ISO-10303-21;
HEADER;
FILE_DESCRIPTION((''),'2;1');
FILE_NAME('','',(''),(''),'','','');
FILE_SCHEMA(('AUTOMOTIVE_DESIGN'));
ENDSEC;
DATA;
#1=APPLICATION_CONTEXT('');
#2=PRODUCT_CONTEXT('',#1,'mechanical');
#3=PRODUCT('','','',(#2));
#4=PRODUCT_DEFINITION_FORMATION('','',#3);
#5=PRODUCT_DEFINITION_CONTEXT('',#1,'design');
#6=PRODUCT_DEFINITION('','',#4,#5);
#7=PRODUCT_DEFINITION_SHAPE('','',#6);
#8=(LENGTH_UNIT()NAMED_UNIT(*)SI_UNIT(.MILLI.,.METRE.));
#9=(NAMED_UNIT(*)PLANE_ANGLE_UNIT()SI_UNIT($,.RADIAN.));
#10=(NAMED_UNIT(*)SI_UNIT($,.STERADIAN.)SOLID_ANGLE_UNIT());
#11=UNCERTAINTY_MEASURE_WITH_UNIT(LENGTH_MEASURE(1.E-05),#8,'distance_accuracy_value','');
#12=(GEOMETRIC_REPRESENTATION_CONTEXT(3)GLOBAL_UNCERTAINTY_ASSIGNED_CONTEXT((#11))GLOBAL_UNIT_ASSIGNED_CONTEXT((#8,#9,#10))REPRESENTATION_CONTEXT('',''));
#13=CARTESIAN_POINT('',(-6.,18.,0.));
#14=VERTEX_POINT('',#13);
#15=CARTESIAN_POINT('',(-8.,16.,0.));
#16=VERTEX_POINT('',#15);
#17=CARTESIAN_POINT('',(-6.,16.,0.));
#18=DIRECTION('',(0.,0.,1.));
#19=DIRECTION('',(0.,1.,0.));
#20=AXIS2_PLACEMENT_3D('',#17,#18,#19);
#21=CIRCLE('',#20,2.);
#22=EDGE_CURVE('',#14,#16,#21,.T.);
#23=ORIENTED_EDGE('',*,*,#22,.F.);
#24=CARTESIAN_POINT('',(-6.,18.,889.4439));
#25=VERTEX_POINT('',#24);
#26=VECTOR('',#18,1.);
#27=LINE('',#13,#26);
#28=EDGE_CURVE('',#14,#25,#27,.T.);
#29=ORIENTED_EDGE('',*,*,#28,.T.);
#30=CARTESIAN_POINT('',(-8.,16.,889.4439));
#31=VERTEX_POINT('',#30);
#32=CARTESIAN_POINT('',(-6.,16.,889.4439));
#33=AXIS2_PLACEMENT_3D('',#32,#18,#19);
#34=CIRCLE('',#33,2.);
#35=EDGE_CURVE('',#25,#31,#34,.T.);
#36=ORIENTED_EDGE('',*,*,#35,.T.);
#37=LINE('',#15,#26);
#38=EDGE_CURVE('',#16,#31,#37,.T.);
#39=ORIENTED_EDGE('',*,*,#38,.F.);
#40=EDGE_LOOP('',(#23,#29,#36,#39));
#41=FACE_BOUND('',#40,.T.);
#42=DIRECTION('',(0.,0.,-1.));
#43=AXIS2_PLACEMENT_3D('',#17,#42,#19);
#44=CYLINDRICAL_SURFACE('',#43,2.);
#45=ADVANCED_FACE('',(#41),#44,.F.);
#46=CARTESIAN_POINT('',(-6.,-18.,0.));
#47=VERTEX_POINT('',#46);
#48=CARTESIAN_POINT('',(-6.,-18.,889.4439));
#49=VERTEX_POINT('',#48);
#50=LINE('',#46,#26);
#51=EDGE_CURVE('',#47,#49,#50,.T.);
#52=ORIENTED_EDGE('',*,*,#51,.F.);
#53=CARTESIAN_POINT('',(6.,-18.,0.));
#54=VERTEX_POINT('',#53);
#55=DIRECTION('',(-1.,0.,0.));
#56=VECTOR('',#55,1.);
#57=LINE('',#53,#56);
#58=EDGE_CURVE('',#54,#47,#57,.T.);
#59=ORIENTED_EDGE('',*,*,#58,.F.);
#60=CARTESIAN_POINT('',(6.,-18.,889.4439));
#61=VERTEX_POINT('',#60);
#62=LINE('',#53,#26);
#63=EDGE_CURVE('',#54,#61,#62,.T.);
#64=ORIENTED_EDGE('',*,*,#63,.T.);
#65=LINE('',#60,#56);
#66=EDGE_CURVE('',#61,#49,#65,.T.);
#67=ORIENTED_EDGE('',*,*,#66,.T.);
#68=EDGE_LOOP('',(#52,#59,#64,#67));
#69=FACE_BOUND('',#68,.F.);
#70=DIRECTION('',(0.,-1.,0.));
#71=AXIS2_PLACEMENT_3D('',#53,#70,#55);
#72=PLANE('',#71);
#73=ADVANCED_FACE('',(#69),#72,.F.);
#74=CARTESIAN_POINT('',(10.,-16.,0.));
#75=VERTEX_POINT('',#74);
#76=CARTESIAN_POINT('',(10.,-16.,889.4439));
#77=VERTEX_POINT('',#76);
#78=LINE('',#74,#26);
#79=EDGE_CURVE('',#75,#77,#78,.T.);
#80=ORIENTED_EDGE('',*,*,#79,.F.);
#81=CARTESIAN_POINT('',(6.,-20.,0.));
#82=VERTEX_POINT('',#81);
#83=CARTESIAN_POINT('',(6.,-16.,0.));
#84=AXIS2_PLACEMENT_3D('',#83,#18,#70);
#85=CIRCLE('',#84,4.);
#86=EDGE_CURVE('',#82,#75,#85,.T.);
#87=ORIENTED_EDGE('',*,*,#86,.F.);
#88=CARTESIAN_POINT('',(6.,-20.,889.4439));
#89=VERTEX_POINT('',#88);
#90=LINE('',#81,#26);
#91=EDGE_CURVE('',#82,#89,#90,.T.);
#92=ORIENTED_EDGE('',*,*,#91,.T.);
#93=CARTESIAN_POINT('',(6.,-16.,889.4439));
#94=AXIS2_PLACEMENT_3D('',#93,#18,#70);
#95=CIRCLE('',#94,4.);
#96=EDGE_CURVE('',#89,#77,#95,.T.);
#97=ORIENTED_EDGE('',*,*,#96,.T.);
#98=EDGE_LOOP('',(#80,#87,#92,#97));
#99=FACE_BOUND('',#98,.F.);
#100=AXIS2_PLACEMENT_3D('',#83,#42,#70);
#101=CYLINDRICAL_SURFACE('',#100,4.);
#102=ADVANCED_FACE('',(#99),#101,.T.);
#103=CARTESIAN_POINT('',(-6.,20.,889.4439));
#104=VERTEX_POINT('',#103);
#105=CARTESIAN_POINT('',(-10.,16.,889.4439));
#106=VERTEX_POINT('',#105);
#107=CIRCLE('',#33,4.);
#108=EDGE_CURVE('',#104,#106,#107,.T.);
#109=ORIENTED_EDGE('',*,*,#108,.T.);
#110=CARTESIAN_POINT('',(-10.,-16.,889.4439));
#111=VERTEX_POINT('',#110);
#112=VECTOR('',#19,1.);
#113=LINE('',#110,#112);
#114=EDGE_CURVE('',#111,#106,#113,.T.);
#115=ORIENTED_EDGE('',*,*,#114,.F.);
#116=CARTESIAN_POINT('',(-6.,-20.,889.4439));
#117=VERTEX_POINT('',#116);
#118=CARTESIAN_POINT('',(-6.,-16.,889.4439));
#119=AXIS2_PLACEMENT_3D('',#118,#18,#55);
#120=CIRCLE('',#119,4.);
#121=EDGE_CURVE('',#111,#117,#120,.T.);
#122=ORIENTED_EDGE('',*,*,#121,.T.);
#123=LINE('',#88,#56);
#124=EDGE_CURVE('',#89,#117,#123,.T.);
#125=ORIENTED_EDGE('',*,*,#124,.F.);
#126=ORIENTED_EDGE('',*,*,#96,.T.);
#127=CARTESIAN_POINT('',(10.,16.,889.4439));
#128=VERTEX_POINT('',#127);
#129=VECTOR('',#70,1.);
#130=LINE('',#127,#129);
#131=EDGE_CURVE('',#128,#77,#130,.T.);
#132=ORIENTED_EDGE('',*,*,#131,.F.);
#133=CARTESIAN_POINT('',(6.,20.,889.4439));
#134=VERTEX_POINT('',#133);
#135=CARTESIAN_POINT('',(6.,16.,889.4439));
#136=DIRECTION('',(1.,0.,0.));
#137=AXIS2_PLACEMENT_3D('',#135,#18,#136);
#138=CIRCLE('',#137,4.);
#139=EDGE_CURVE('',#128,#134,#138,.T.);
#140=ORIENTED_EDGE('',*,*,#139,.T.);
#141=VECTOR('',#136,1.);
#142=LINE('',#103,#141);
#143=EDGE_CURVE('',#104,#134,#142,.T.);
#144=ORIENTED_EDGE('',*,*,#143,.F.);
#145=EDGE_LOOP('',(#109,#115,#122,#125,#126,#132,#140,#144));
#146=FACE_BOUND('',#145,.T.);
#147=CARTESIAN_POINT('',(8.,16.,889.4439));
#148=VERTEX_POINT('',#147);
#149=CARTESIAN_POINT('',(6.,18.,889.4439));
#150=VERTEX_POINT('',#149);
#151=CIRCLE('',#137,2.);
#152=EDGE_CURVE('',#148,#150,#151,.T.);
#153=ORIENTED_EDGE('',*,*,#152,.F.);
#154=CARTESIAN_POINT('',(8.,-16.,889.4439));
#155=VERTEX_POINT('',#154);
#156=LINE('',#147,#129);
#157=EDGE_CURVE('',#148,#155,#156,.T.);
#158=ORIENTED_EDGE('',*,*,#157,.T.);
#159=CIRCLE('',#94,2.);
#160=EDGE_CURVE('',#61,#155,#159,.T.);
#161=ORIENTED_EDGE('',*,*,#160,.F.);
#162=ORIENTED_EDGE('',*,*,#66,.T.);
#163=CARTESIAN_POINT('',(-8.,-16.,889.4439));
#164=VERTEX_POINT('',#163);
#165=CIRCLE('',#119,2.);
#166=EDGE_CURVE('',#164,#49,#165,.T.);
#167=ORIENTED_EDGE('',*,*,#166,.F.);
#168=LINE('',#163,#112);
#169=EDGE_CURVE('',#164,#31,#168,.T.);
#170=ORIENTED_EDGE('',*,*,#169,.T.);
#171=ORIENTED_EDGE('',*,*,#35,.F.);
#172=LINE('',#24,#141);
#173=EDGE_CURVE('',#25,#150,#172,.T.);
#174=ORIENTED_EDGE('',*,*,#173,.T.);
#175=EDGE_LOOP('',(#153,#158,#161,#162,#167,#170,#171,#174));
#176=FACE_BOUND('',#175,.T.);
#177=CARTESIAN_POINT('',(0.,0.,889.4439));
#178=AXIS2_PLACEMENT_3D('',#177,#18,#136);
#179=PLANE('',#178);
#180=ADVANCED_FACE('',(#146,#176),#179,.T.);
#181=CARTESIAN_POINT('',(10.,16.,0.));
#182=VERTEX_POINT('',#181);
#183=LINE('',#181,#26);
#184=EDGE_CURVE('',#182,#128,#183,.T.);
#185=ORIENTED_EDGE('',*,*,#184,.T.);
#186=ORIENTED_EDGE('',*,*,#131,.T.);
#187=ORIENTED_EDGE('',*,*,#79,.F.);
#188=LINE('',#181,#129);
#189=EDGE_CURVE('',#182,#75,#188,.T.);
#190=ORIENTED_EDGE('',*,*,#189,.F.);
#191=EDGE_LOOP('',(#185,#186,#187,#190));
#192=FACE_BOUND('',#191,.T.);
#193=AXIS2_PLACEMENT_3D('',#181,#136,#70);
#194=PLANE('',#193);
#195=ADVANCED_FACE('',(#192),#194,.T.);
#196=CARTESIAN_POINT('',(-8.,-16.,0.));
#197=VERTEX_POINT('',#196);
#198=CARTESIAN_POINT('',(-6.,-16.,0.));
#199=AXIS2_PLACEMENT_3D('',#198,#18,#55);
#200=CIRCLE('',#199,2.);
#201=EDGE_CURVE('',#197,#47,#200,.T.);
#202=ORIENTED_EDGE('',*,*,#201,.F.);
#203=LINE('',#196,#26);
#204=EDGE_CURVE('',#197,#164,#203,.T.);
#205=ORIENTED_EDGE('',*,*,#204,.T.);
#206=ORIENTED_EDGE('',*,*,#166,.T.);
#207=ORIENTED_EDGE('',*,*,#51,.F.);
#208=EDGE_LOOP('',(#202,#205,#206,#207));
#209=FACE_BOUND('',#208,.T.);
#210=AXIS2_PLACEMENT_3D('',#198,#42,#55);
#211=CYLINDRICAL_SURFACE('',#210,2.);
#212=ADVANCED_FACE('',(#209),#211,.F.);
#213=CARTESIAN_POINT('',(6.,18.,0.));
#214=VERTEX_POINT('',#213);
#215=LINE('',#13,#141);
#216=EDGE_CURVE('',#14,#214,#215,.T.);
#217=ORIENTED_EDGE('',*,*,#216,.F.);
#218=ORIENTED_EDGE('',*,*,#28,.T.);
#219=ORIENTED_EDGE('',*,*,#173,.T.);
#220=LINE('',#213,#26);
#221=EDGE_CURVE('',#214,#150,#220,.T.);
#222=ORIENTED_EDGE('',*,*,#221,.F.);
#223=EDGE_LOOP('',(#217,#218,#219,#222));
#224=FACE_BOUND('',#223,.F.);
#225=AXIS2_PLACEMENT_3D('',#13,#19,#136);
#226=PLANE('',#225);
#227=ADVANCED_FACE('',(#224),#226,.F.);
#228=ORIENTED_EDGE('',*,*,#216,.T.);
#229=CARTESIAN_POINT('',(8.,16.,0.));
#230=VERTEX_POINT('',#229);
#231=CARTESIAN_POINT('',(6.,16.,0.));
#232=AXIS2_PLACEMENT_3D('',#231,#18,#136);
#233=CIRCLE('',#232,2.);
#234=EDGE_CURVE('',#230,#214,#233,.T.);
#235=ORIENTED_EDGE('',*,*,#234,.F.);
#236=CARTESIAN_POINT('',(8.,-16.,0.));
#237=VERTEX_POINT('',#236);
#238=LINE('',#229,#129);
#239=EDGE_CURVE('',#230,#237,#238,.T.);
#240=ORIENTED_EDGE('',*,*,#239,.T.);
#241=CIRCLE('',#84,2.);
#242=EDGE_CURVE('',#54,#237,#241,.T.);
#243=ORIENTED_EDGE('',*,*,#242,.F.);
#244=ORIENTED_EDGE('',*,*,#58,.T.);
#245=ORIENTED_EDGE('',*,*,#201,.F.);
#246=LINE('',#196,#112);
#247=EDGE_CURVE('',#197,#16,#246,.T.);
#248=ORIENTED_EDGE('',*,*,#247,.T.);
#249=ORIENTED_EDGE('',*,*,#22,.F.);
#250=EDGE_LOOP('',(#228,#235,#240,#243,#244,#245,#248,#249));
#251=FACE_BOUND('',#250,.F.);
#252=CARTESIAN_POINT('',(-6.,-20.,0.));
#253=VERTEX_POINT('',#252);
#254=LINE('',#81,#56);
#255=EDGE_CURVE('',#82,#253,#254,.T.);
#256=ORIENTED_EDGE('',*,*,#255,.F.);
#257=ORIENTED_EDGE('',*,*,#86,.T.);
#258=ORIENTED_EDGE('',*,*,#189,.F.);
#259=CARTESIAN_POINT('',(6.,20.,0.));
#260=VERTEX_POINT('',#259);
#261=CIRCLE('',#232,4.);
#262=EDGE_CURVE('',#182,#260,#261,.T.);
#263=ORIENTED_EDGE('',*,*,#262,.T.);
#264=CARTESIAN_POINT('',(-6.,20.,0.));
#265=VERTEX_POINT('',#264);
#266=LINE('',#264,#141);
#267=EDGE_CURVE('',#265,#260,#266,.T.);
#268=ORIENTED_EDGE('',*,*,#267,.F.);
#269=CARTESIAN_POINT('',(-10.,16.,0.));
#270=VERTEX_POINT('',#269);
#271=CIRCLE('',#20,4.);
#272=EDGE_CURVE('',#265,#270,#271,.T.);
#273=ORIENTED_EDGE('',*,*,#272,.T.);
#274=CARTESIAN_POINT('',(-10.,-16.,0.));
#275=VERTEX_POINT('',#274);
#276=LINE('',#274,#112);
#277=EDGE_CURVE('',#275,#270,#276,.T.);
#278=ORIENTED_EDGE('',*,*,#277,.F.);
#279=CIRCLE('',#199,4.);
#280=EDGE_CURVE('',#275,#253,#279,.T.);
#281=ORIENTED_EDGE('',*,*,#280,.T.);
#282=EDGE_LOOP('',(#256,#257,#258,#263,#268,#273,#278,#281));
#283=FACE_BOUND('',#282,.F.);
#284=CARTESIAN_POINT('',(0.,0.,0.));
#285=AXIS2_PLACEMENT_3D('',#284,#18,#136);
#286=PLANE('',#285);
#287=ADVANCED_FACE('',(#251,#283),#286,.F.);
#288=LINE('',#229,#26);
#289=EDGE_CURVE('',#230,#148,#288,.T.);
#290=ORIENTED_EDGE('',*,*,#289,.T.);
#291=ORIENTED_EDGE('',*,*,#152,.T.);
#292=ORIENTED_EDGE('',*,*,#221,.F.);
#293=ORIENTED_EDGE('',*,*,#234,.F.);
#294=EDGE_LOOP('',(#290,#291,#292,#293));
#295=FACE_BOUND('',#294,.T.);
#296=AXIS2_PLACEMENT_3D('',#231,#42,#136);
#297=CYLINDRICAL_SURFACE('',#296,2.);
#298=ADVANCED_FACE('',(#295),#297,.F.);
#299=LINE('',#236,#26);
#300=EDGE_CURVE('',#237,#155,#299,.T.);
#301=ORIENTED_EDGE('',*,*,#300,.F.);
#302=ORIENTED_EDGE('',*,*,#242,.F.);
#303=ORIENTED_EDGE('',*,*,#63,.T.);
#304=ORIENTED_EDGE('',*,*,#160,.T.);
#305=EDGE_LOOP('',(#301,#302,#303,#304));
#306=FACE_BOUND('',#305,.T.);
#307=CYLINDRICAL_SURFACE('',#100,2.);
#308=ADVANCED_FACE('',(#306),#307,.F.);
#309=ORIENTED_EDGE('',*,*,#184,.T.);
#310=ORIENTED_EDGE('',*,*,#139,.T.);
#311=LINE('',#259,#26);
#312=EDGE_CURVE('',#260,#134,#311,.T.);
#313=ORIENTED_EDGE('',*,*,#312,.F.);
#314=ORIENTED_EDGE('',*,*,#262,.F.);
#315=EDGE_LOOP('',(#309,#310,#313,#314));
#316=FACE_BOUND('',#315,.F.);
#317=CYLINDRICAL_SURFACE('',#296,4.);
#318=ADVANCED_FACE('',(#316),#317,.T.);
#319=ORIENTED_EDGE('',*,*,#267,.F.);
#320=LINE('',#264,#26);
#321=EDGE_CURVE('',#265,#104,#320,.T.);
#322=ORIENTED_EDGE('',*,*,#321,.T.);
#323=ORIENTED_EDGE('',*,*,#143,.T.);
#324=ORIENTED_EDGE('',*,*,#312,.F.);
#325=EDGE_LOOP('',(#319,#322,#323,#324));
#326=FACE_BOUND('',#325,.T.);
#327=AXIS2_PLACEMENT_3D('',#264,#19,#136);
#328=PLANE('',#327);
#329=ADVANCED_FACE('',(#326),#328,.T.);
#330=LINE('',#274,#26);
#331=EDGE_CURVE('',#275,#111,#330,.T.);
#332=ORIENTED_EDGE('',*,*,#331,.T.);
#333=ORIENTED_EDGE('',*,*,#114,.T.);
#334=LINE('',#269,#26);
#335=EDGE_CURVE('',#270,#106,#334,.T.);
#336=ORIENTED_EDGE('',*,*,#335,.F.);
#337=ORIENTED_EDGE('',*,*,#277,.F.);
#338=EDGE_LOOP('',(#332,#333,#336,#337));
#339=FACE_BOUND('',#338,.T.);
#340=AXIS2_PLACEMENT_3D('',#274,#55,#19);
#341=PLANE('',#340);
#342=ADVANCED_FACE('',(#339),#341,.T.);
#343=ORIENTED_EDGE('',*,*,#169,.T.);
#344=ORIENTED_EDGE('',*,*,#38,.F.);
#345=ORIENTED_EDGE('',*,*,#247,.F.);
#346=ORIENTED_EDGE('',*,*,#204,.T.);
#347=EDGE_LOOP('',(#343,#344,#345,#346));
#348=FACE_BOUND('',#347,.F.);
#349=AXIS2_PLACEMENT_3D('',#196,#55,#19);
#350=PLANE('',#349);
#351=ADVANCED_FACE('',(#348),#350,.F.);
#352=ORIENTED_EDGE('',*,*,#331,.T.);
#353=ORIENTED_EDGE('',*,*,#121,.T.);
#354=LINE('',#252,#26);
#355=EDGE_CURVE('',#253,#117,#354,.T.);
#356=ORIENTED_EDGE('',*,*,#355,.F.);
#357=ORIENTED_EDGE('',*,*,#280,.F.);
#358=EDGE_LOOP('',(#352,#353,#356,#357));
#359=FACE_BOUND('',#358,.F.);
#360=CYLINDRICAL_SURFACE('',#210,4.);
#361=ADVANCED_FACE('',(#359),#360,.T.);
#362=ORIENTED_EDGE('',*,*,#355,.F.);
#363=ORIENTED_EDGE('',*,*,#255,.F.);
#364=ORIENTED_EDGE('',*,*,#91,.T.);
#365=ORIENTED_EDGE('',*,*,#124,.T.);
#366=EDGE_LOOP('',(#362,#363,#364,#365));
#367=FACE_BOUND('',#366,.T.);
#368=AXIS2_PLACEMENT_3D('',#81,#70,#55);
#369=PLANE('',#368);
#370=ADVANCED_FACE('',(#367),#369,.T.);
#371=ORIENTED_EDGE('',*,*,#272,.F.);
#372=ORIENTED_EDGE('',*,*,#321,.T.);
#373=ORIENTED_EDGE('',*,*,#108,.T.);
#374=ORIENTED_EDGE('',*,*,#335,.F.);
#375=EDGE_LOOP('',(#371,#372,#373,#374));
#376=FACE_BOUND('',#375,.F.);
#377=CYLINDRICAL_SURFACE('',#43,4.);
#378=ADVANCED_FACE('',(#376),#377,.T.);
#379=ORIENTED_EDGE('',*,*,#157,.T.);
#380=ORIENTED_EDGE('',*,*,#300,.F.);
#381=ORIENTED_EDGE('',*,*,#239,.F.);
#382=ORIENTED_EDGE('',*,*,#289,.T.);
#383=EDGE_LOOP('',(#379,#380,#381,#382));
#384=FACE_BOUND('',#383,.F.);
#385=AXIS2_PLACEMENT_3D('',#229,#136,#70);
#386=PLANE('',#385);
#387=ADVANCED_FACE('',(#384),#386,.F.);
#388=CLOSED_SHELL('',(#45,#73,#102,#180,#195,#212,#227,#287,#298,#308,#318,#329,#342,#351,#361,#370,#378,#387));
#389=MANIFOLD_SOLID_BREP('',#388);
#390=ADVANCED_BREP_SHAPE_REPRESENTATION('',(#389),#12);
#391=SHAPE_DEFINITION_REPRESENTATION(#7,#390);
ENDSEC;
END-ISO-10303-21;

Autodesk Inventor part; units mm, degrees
ref_plane "YZ Plane" through (0, 0, 0) normal (1, 0, 0) x (0, 1, 0)
ref_plane "Start Plane" through (0, 0, 0) normal (0, 0, 1) x (1, 0, 0)
ref_plane "End Plane" through (0, 0, 889.4439) normal (0, 0, 1) x (1, 0, 0)
sketch "Sketch" plane through (0, 0, 0) normal (0, 0, 1) x (1, 0, 0)
  line L0 (-10, -16) -> (-10, 16)
  line L1 (-6, 20) -> (6, 20)
  line L2 (10, 16) -> (10, -16)
  line L3 (6, -20) -> (-6, -20)
  arc A0 (-10, -16) -> (-6, -20) centre (-6, -16) ccw
  arc A1 (10, 16) -> (6, 20) centre (6, 16) ccw
  arc A2 (-6, 20) -> (-10, 16) centre (-6, 16) ccw
  arc A3 (6, -20) -> (10, -16) centre (6, -16) ccw
  arc A4 (-6, 18) -> (-8, 16) centre (-6, 16) ccw
  line L4 (-6, 18) -> (6, 18)
  arc A5 (8, 16) -> (6, 18) centre (6, 16) ccw
  line L5 (8, 16) -> (8, -16)
  arc A6 (6, -18) -> (8, -16) centre (6, -16) ccw
  line L6 (6, -18) -> (-6, -18)
  arc A7 (-8, -16) -> (-6, -18) centre (-6, -16) ccw
  line L7 (-8, -16) -> (-8, 16)
  line L8 (0, 29.1598) -> (0, -29.1598) construction
  line L9 (-15.1598, 0) -> (15.1598, 0) construction
  dimension "d7" = 4
  dimension "d9" = 20
  dimension "d11" = 40
  dimension "d12" = 2
  dimension "d15" = 10
  dimension "d16" = 20
extrude "Body" add sketch "Sketch" along normal up to surface (889.4439 mm away) from surface at 0
sketch "Sketch3" plane through (0, 0, 0) normal (0, 0, 1) x (1, 0, 0)
  line L0 (0, 0) -> (10, 0)
ref_plane "Work Plane3" through (0, 0, 0) normal (0, -1, 0) x (1, 0, 0)
sketch "Sketch4" plane through (0, 0, 0) normal (0, -1, 0) x (1, 0, 0)
  line L0 (-2, 0) -> (12, 0) projected
  line L1 (-2, 889.4439) -> (12, 889.4439) projected
  dimension "d18" = 889.4439
equation "\"d7\" = G_IR"
equation "\"d9\" = G_W"
equation "\"d11\" = G_H"
equation "\"d12\" = G_T"
equation "\"d15\" = 0.5 * d9"
equation "\"d16\" = 0.5 * d11"
equation "\"d3\" = G_L"
equation "\"G_W\" = 20"
equation "\"G_H\" = 40"
equation "\"G_T\" = 2"
equation "\"G_IR\" = 4"
equation "\"G_L\" = d18"
equation "\"G_OFFSET_START\" = 0"
equation "\"G_OFFSET_END\" = 0"
equation "\"d14\" = G_OFFSET_END + B_L"
equation "\"B_L\" = 889.44393"
properties part number "ISO 10799-2 - 40x20x2 - 889,44" material "Steel, Mild"
